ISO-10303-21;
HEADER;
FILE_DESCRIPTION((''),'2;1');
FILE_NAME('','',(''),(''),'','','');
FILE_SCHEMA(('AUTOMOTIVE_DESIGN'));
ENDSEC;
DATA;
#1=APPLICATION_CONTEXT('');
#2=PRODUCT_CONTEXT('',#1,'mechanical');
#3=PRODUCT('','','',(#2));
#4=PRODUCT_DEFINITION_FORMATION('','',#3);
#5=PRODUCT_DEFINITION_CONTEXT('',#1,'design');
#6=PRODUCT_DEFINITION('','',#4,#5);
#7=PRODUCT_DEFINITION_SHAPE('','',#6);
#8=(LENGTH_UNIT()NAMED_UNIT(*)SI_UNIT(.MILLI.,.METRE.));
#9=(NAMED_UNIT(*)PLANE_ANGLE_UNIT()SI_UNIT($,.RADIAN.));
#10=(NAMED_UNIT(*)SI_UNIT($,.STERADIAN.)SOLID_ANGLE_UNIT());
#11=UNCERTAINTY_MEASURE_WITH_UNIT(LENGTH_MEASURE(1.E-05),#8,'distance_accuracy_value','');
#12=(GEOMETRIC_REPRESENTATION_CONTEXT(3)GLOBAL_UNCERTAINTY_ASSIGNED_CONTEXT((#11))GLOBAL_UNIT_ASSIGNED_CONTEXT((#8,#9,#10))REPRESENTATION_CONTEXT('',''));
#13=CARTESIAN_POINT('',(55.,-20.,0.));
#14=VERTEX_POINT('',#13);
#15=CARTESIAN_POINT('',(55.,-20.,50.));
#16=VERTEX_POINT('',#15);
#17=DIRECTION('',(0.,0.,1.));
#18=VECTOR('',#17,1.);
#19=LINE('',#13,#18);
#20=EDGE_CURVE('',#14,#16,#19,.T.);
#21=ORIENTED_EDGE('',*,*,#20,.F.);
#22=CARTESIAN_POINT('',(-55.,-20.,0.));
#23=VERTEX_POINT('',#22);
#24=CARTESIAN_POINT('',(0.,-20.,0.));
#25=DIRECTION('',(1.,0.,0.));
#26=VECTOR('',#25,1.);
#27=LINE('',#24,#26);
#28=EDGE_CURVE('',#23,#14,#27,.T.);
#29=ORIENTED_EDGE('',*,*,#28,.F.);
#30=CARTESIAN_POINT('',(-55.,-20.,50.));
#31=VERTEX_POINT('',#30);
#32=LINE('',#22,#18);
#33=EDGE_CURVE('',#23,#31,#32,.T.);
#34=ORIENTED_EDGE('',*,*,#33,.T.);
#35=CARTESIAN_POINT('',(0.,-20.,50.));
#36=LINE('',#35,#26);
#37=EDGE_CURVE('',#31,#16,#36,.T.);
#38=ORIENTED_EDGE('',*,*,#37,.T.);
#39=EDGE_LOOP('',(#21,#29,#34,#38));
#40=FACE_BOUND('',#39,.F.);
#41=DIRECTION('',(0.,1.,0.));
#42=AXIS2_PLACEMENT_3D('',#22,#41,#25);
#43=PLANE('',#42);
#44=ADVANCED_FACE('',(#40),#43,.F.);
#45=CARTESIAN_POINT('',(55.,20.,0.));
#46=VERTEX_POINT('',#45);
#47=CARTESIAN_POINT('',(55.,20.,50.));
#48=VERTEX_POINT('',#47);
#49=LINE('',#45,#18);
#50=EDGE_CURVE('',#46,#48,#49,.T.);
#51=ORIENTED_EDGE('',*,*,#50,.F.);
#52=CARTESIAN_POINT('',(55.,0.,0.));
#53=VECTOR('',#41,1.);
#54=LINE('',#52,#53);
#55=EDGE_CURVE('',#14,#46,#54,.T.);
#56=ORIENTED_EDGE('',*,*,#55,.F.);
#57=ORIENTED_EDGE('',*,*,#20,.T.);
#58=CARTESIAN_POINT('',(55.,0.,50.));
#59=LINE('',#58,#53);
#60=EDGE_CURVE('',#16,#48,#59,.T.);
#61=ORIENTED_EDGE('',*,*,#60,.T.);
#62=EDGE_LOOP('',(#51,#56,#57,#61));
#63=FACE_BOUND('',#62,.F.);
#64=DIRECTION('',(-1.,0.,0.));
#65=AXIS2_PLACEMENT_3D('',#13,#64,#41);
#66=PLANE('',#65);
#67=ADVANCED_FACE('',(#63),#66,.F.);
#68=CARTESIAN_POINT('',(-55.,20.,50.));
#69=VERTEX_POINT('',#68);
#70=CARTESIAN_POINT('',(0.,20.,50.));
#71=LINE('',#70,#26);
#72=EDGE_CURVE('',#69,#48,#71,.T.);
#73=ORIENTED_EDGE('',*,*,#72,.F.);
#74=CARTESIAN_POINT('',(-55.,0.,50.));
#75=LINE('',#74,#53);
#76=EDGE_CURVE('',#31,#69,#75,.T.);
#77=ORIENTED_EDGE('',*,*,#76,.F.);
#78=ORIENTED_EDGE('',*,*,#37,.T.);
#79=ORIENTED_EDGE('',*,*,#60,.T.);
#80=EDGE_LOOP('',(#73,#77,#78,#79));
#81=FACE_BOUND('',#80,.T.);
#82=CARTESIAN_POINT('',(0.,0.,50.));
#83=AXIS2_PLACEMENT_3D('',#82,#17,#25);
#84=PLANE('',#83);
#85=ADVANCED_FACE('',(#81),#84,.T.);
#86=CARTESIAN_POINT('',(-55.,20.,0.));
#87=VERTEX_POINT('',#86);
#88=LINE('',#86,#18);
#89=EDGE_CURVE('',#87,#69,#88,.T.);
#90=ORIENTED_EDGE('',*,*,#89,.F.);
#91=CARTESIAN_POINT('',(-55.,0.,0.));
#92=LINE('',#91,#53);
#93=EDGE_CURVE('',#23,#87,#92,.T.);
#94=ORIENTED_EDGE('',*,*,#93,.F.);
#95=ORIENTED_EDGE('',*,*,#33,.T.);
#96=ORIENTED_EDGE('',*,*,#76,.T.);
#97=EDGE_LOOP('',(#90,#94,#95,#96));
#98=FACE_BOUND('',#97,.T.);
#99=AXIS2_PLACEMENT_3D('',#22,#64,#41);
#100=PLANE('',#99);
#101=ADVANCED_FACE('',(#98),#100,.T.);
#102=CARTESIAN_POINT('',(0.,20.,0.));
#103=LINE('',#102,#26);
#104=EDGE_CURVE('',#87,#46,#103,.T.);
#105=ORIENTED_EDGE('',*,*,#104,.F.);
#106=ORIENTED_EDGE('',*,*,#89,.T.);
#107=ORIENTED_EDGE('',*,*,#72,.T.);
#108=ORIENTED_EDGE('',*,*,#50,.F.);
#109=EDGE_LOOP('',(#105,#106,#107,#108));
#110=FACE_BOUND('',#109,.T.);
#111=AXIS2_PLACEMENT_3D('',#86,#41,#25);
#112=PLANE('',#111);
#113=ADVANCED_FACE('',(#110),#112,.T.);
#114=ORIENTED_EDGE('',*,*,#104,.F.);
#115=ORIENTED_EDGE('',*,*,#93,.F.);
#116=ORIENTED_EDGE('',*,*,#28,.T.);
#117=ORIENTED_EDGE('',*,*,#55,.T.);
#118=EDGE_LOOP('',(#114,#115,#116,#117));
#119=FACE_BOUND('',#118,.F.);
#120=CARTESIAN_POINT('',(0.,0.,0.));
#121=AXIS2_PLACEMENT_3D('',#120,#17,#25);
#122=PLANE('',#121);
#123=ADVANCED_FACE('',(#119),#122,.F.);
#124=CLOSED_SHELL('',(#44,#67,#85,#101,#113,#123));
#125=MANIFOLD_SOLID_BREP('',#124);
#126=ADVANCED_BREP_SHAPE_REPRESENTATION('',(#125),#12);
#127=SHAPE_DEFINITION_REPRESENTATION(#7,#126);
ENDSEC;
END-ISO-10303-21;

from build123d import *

# Parameters (mm, degrees)
SKETCH_W      = 110
SKETCH_H      = 40
EXTRUDE_DEPTH = 50


with BuildPart() as part:
    # Sketch → Extrude (new body)
    with BuildSketch(Plane.XY):
        Rectangle(SKETCH_W, SKETCH_H)
    extrude(amount=EXTRUDE_DEPTH)


solid = part.part
